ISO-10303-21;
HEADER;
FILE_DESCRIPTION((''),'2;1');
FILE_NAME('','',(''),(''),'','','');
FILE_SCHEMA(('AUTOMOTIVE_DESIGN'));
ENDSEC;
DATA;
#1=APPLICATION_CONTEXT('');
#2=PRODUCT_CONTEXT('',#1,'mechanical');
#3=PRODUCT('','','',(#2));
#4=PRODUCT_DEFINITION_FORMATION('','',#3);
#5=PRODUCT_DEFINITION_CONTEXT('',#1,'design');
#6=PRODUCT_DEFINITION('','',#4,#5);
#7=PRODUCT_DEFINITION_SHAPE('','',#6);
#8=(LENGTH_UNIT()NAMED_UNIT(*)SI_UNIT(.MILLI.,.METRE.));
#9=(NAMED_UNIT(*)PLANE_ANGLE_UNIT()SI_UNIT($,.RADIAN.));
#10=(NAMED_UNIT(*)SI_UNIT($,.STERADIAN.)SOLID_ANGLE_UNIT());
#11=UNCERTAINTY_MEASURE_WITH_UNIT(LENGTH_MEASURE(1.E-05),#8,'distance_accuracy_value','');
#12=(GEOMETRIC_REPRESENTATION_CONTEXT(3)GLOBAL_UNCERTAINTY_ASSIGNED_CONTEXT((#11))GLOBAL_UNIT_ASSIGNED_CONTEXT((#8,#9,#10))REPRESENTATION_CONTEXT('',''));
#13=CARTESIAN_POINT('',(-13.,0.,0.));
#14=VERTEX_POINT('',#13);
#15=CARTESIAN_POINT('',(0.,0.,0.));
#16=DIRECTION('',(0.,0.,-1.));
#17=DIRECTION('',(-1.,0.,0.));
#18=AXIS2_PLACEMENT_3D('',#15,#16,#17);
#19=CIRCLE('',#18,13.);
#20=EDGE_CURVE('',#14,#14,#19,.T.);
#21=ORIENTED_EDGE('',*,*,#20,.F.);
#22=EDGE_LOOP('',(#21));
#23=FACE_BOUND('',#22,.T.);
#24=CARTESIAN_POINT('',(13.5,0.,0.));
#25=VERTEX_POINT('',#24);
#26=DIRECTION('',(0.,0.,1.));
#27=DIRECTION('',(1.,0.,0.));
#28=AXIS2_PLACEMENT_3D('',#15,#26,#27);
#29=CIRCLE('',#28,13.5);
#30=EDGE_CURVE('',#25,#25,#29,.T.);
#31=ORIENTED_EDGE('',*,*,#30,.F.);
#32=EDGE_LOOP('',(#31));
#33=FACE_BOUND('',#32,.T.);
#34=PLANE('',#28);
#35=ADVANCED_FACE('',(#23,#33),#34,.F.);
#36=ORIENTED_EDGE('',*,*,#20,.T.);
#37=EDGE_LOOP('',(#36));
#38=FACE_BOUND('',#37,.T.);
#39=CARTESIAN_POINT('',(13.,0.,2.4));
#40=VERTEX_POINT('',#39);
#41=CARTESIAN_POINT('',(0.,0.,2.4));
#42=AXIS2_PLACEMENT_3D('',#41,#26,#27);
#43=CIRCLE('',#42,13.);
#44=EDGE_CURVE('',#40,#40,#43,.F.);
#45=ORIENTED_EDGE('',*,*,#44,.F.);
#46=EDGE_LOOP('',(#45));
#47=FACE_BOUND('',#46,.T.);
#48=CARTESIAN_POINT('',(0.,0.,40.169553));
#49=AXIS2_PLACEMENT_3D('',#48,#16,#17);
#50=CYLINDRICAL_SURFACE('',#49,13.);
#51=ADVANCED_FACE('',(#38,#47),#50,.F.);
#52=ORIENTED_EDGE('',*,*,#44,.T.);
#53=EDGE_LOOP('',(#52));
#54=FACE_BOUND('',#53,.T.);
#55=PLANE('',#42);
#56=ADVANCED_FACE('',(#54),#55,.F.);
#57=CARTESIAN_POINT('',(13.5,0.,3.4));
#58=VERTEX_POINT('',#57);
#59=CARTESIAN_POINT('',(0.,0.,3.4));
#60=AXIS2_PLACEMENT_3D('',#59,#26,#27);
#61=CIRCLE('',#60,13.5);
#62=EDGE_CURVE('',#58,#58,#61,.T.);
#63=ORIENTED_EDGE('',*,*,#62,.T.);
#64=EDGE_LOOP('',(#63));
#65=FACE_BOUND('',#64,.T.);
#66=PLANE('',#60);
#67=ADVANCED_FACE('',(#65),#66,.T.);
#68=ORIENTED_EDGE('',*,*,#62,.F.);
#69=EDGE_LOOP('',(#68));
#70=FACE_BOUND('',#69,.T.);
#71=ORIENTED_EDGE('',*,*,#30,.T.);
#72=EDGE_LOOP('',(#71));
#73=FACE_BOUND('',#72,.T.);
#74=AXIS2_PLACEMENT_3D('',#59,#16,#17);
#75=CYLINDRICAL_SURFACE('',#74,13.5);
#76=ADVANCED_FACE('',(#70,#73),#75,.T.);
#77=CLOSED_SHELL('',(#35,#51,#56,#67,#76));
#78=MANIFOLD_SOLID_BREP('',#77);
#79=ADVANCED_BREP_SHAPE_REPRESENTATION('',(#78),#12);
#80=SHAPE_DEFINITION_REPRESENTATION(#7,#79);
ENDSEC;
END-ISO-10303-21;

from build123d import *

# Parameters (mm, degrees)
SKETCH1_R           = 13.5
BOSS_EXTRUDE1_DEPTH = 3.4
SKETCH2_R           = 13
CUT_EXTRUDE1_DEPTH  = 2.4


with BuildPart() as part:
    # Sketch1 → Boss-Extrude1 (new body)
    with BuildSketch(Plane.XY):
        Circle(SKETCH1_R)
    extrude(amount=BOSS_EXTRUDE1_DEPTH)

    # Sketch2 → Cut-Extrude1 (cut)
    with BuildSketch(Plane(origin=(0, 0, 0), x_dir=(-1, 0, 0), z_dir=(0, 0, -1))):
        Circle(SKETCH2_R)
    extrude(amount=-CUT_EXTRUDE1_DEPTH, mode=Mode.SUBTRACT)


solid = part.part
